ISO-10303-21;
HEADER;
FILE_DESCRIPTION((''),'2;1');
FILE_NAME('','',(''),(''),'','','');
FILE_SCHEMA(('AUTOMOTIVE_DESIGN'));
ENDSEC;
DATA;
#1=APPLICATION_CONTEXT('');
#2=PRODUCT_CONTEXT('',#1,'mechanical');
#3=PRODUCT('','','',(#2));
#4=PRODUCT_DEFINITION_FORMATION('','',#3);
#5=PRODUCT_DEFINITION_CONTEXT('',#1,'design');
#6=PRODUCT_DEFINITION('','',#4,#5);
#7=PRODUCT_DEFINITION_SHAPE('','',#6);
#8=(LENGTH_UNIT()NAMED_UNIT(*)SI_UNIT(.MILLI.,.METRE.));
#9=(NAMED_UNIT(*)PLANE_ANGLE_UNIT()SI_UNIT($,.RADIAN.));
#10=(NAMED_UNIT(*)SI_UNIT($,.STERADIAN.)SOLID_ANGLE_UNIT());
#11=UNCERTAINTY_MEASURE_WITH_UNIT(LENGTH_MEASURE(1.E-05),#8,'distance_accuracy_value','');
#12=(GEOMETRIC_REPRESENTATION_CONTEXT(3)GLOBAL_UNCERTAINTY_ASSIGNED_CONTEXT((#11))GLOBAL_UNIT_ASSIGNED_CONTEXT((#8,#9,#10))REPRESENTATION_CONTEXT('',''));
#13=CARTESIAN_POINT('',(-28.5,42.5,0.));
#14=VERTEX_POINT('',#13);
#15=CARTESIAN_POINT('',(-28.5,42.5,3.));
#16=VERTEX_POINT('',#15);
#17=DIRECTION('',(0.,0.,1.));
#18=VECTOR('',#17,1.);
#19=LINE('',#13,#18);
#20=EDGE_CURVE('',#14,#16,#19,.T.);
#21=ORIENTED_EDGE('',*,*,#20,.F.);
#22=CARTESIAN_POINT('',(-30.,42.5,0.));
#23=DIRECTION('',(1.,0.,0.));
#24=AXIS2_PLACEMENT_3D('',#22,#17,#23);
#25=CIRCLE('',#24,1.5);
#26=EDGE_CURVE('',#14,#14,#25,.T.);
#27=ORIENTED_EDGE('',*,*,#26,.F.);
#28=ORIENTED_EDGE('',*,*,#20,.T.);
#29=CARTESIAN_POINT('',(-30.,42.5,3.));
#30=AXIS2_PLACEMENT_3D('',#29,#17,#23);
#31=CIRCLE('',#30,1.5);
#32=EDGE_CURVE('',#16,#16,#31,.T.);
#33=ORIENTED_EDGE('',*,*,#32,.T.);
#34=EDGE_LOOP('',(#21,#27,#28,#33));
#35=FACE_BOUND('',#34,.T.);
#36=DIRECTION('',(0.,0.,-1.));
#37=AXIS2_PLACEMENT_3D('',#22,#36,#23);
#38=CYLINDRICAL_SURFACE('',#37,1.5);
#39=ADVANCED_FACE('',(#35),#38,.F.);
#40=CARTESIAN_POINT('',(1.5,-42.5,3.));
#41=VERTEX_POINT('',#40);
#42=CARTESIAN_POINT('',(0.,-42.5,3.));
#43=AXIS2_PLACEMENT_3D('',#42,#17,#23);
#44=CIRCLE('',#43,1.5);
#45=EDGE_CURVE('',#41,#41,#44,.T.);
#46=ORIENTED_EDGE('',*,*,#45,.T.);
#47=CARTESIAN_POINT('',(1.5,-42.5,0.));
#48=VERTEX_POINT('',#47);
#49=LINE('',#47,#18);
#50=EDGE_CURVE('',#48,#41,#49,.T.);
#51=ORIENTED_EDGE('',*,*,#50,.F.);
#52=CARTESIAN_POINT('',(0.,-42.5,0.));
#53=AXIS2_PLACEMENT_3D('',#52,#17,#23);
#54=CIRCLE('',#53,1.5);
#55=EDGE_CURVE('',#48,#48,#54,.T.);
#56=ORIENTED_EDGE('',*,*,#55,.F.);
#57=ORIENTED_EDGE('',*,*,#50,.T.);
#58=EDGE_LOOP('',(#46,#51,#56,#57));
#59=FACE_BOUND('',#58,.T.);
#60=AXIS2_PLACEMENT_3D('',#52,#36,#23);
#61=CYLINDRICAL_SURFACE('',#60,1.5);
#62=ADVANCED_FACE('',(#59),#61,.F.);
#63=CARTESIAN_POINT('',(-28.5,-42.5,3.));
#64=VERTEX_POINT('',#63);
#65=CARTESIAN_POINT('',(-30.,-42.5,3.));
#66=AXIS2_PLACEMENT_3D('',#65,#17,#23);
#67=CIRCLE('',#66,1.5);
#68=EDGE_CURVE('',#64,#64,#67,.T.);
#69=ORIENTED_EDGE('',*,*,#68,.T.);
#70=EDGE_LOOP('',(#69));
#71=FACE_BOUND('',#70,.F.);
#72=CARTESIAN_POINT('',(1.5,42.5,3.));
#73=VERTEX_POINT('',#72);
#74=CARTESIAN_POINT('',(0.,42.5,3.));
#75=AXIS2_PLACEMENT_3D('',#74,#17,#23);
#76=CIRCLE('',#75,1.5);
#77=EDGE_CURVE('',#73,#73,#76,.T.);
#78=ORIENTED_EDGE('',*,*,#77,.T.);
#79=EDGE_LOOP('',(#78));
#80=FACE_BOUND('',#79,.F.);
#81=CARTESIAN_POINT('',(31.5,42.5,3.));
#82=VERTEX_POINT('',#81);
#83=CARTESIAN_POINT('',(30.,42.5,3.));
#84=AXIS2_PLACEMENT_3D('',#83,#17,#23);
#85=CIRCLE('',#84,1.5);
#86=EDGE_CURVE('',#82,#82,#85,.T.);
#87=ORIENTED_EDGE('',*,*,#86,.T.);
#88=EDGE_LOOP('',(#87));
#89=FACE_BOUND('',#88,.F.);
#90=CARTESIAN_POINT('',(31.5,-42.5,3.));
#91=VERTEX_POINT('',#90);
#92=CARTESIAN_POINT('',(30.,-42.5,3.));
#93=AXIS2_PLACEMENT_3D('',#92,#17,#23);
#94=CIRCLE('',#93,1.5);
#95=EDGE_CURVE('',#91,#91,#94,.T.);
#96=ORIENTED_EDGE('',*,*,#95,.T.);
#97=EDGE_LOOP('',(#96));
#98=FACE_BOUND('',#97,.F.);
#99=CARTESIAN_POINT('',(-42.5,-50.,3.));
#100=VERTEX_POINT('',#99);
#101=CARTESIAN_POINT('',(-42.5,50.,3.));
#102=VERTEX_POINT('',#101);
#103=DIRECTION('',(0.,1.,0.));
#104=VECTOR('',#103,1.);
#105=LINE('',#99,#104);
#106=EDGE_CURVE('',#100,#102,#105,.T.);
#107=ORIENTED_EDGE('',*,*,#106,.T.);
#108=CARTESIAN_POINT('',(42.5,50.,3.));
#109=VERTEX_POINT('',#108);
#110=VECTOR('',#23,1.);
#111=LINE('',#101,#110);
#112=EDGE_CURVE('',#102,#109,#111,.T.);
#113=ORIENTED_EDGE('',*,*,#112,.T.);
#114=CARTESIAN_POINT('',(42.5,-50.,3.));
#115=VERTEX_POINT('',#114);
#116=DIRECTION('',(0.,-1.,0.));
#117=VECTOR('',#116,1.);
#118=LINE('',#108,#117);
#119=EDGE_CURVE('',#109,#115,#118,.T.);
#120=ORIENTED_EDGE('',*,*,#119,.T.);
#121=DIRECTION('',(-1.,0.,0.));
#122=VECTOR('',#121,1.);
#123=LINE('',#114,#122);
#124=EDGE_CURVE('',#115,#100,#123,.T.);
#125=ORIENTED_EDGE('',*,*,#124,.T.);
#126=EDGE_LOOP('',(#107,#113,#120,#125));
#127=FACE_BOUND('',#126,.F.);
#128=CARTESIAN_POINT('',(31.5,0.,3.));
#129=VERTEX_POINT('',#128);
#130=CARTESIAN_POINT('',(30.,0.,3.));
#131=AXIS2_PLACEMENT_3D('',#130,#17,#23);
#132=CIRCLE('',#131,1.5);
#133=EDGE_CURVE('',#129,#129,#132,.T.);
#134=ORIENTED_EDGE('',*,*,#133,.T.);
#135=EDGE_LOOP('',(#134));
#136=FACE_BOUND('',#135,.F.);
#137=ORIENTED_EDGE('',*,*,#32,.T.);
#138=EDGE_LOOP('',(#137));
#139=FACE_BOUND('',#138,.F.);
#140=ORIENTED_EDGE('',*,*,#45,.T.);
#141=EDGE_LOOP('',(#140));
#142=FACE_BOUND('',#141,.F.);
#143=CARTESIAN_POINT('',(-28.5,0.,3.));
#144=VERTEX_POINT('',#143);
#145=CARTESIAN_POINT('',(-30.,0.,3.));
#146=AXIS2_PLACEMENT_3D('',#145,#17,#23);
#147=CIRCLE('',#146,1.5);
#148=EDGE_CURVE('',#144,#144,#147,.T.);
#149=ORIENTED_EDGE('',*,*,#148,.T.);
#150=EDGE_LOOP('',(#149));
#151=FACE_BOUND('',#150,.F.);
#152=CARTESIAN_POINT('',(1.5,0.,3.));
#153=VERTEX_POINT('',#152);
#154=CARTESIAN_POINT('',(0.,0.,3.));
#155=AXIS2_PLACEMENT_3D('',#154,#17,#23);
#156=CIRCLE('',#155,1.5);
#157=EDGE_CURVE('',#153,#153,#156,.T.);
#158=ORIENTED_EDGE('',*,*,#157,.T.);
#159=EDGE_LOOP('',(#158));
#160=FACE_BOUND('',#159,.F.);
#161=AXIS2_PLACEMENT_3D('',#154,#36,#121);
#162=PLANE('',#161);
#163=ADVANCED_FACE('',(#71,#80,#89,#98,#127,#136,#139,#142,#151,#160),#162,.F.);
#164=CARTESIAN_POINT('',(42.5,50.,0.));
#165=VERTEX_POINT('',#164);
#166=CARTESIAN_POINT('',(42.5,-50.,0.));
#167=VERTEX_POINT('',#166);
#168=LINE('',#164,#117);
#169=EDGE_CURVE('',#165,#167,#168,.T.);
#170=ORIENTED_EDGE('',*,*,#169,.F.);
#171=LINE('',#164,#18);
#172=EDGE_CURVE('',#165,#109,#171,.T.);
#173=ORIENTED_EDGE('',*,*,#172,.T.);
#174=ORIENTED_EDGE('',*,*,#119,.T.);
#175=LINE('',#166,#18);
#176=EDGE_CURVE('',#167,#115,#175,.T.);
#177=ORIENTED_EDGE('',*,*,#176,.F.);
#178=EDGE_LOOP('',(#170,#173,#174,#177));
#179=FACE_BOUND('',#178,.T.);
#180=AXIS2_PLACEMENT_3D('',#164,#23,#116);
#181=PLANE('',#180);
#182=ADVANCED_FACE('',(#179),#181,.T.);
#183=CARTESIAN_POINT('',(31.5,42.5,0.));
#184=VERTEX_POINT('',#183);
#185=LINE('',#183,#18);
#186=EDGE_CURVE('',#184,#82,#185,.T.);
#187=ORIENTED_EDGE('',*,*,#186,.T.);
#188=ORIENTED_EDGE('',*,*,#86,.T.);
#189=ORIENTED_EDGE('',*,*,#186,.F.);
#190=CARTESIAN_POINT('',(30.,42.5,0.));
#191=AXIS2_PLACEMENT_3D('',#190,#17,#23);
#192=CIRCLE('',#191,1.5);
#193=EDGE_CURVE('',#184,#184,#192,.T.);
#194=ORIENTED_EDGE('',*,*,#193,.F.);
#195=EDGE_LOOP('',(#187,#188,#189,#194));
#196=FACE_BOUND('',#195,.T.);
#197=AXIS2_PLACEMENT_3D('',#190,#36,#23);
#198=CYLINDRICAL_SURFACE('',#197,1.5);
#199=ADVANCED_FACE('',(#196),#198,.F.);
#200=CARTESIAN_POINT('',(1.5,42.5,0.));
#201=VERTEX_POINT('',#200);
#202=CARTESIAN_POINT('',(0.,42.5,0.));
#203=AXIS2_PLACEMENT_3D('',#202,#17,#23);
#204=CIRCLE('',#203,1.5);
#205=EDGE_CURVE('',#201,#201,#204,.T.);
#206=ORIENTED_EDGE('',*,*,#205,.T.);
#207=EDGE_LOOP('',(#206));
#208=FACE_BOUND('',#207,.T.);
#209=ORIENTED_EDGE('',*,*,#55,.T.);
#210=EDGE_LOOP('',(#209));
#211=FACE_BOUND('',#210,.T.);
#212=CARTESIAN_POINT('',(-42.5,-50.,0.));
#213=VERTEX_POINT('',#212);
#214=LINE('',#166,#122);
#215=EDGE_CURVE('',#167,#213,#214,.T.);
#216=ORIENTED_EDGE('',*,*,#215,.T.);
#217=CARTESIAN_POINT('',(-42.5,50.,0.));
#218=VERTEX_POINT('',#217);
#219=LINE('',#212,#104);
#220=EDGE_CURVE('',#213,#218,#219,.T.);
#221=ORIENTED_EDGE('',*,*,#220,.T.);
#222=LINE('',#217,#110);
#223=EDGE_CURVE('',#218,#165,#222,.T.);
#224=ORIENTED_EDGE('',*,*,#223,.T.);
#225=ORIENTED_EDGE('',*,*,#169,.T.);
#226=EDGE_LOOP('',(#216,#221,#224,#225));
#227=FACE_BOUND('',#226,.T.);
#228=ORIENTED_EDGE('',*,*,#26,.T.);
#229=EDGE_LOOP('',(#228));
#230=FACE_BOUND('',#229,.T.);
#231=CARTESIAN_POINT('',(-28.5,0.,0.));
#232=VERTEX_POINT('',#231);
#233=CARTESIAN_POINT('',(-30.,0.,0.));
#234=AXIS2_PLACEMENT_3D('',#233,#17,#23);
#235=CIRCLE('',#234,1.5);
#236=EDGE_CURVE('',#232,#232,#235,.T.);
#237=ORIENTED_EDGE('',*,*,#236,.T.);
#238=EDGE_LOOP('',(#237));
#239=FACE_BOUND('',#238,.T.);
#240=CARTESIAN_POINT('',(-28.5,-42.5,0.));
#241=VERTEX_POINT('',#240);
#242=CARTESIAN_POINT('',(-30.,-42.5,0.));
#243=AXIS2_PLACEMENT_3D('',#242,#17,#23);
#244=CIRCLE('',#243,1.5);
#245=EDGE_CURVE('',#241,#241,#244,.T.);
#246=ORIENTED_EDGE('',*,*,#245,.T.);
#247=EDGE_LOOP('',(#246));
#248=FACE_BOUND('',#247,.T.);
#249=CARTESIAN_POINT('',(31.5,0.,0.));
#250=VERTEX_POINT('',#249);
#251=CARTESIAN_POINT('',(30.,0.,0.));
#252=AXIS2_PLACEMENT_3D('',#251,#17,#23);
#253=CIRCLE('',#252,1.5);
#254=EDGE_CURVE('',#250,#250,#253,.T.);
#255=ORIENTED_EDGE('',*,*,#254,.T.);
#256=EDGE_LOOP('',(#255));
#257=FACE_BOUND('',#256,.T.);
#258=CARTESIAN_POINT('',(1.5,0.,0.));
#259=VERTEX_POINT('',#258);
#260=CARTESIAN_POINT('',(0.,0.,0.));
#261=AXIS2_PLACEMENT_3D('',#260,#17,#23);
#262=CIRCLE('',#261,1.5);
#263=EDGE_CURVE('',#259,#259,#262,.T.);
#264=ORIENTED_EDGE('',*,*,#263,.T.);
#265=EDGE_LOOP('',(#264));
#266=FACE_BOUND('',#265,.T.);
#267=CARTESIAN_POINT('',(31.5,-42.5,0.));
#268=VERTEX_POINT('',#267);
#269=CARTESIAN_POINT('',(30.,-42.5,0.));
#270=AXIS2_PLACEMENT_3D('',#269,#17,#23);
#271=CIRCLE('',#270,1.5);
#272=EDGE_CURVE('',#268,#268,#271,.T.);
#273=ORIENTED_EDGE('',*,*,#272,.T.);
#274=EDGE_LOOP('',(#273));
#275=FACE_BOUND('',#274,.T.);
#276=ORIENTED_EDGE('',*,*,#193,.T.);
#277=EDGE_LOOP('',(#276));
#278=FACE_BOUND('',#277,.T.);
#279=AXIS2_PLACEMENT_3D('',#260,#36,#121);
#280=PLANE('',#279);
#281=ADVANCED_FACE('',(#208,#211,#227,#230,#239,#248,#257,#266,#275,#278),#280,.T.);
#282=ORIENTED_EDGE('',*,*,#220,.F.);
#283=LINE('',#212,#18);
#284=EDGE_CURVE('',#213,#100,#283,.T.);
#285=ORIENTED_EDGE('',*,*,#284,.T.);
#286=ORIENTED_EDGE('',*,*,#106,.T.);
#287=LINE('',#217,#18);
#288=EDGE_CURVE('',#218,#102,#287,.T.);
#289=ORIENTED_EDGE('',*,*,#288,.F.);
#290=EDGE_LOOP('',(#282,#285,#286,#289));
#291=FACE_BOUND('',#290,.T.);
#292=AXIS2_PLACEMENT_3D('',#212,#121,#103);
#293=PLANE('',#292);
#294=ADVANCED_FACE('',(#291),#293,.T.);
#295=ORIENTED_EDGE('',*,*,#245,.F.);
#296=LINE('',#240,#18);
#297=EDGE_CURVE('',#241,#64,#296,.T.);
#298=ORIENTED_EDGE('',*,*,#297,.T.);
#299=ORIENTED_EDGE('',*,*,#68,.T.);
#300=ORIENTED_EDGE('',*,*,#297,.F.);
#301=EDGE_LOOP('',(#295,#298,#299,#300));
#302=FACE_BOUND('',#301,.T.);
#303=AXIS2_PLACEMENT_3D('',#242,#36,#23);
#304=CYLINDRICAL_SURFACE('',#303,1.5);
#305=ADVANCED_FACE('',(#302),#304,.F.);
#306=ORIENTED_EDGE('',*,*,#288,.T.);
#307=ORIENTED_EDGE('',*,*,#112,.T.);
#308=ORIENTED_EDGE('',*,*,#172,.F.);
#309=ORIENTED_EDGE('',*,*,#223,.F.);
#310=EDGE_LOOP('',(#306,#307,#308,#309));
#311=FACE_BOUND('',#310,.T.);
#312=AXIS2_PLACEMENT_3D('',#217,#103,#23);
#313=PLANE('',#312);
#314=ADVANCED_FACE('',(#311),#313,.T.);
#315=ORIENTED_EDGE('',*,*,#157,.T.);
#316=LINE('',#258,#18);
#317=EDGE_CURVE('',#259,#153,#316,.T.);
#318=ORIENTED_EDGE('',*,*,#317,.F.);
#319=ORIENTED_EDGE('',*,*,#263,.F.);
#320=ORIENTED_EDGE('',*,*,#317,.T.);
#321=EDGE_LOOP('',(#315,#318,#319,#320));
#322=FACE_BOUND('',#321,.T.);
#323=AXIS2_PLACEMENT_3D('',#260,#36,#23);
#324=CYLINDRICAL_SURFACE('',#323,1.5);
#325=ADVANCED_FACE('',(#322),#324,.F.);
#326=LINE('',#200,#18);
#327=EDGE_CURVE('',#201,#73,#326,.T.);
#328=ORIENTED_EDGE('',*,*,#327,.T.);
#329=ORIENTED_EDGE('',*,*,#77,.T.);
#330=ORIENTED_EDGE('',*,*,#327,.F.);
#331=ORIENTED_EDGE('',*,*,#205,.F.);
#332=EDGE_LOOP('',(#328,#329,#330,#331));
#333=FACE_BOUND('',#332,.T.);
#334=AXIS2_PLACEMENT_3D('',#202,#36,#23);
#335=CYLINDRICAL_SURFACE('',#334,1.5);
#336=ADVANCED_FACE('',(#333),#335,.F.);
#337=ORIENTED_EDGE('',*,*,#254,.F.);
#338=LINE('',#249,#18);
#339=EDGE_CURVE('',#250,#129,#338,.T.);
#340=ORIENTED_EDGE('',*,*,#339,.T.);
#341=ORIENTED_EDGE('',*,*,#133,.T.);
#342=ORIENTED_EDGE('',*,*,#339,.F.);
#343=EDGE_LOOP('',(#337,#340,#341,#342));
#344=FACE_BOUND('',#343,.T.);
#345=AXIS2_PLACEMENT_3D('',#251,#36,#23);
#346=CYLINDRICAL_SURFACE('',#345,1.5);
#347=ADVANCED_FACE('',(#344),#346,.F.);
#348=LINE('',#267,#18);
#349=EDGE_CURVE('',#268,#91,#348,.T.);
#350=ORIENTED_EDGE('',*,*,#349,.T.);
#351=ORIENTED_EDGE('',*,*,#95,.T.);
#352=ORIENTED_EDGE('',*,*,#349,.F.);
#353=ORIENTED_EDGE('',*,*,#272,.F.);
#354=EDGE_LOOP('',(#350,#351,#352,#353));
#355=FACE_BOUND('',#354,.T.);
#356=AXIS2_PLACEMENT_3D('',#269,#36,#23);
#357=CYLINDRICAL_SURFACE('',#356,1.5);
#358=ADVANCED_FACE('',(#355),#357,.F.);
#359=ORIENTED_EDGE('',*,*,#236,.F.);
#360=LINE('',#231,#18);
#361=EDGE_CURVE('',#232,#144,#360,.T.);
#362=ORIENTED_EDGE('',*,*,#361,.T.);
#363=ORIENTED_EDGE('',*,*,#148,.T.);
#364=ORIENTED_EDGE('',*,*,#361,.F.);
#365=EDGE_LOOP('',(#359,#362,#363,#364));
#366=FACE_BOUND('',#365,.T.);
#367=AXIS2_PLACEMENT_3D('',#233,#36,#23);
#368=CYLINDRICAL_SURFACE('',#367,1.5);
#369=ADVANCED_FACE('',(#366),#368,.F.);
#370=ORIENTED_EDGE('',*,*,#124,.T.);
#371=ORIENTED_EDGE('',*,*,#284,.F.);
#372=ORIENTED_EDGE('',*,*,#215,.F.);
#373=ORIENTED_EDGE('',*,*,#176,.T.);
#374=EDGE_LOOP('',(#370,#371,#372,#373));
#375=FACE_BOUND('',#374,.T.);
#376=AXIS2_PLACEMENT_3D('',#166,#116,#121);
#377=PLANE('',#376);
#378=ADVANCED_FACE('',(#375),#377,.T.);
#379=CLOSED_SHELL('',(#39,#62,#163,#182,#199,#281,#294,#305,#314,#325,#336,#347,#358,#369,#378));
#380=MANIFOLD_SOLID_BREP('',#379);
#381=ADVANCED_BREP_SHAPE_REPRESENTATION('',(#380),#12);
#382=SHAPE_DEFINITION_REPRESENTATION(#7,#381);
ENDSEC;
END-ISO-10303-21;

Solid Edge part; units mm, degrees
sketch "Sketch1" plane through (0, 0, 0) normal (0, 0, 1) x (1, 0, 0)
  circle A0 centre (0, 42.5) radius 1.5
  circle A1 centre (-30, 42.5) radius 1.5
  circle A2 centre (30, 42.5) radius 1.5
  circle A3 centre (0, -42.5) radius 1.5
  circle A4 centre (-30, -42.5) radius 1.5
  circle A5 centre (30, -42.5) radius 1.5
  line L0 (42.5, -50) -> (-42.5, -50)
  line L1 (-42.5, -50) -> (-42.5, 50)
  line L2 (-42.5, 50) -> (42.5, 50)
  line L3 (42.5, 50) -> (42.5, -50)
  circle A6 centre (0, 0) radius 1.5
  circle A7 centre (-30, 0) radius 1.5
  circle A8 centre (30, 0) radius 1.5
extrude "Protrusion1" add sketch "Sketch1" along normal blind 3
